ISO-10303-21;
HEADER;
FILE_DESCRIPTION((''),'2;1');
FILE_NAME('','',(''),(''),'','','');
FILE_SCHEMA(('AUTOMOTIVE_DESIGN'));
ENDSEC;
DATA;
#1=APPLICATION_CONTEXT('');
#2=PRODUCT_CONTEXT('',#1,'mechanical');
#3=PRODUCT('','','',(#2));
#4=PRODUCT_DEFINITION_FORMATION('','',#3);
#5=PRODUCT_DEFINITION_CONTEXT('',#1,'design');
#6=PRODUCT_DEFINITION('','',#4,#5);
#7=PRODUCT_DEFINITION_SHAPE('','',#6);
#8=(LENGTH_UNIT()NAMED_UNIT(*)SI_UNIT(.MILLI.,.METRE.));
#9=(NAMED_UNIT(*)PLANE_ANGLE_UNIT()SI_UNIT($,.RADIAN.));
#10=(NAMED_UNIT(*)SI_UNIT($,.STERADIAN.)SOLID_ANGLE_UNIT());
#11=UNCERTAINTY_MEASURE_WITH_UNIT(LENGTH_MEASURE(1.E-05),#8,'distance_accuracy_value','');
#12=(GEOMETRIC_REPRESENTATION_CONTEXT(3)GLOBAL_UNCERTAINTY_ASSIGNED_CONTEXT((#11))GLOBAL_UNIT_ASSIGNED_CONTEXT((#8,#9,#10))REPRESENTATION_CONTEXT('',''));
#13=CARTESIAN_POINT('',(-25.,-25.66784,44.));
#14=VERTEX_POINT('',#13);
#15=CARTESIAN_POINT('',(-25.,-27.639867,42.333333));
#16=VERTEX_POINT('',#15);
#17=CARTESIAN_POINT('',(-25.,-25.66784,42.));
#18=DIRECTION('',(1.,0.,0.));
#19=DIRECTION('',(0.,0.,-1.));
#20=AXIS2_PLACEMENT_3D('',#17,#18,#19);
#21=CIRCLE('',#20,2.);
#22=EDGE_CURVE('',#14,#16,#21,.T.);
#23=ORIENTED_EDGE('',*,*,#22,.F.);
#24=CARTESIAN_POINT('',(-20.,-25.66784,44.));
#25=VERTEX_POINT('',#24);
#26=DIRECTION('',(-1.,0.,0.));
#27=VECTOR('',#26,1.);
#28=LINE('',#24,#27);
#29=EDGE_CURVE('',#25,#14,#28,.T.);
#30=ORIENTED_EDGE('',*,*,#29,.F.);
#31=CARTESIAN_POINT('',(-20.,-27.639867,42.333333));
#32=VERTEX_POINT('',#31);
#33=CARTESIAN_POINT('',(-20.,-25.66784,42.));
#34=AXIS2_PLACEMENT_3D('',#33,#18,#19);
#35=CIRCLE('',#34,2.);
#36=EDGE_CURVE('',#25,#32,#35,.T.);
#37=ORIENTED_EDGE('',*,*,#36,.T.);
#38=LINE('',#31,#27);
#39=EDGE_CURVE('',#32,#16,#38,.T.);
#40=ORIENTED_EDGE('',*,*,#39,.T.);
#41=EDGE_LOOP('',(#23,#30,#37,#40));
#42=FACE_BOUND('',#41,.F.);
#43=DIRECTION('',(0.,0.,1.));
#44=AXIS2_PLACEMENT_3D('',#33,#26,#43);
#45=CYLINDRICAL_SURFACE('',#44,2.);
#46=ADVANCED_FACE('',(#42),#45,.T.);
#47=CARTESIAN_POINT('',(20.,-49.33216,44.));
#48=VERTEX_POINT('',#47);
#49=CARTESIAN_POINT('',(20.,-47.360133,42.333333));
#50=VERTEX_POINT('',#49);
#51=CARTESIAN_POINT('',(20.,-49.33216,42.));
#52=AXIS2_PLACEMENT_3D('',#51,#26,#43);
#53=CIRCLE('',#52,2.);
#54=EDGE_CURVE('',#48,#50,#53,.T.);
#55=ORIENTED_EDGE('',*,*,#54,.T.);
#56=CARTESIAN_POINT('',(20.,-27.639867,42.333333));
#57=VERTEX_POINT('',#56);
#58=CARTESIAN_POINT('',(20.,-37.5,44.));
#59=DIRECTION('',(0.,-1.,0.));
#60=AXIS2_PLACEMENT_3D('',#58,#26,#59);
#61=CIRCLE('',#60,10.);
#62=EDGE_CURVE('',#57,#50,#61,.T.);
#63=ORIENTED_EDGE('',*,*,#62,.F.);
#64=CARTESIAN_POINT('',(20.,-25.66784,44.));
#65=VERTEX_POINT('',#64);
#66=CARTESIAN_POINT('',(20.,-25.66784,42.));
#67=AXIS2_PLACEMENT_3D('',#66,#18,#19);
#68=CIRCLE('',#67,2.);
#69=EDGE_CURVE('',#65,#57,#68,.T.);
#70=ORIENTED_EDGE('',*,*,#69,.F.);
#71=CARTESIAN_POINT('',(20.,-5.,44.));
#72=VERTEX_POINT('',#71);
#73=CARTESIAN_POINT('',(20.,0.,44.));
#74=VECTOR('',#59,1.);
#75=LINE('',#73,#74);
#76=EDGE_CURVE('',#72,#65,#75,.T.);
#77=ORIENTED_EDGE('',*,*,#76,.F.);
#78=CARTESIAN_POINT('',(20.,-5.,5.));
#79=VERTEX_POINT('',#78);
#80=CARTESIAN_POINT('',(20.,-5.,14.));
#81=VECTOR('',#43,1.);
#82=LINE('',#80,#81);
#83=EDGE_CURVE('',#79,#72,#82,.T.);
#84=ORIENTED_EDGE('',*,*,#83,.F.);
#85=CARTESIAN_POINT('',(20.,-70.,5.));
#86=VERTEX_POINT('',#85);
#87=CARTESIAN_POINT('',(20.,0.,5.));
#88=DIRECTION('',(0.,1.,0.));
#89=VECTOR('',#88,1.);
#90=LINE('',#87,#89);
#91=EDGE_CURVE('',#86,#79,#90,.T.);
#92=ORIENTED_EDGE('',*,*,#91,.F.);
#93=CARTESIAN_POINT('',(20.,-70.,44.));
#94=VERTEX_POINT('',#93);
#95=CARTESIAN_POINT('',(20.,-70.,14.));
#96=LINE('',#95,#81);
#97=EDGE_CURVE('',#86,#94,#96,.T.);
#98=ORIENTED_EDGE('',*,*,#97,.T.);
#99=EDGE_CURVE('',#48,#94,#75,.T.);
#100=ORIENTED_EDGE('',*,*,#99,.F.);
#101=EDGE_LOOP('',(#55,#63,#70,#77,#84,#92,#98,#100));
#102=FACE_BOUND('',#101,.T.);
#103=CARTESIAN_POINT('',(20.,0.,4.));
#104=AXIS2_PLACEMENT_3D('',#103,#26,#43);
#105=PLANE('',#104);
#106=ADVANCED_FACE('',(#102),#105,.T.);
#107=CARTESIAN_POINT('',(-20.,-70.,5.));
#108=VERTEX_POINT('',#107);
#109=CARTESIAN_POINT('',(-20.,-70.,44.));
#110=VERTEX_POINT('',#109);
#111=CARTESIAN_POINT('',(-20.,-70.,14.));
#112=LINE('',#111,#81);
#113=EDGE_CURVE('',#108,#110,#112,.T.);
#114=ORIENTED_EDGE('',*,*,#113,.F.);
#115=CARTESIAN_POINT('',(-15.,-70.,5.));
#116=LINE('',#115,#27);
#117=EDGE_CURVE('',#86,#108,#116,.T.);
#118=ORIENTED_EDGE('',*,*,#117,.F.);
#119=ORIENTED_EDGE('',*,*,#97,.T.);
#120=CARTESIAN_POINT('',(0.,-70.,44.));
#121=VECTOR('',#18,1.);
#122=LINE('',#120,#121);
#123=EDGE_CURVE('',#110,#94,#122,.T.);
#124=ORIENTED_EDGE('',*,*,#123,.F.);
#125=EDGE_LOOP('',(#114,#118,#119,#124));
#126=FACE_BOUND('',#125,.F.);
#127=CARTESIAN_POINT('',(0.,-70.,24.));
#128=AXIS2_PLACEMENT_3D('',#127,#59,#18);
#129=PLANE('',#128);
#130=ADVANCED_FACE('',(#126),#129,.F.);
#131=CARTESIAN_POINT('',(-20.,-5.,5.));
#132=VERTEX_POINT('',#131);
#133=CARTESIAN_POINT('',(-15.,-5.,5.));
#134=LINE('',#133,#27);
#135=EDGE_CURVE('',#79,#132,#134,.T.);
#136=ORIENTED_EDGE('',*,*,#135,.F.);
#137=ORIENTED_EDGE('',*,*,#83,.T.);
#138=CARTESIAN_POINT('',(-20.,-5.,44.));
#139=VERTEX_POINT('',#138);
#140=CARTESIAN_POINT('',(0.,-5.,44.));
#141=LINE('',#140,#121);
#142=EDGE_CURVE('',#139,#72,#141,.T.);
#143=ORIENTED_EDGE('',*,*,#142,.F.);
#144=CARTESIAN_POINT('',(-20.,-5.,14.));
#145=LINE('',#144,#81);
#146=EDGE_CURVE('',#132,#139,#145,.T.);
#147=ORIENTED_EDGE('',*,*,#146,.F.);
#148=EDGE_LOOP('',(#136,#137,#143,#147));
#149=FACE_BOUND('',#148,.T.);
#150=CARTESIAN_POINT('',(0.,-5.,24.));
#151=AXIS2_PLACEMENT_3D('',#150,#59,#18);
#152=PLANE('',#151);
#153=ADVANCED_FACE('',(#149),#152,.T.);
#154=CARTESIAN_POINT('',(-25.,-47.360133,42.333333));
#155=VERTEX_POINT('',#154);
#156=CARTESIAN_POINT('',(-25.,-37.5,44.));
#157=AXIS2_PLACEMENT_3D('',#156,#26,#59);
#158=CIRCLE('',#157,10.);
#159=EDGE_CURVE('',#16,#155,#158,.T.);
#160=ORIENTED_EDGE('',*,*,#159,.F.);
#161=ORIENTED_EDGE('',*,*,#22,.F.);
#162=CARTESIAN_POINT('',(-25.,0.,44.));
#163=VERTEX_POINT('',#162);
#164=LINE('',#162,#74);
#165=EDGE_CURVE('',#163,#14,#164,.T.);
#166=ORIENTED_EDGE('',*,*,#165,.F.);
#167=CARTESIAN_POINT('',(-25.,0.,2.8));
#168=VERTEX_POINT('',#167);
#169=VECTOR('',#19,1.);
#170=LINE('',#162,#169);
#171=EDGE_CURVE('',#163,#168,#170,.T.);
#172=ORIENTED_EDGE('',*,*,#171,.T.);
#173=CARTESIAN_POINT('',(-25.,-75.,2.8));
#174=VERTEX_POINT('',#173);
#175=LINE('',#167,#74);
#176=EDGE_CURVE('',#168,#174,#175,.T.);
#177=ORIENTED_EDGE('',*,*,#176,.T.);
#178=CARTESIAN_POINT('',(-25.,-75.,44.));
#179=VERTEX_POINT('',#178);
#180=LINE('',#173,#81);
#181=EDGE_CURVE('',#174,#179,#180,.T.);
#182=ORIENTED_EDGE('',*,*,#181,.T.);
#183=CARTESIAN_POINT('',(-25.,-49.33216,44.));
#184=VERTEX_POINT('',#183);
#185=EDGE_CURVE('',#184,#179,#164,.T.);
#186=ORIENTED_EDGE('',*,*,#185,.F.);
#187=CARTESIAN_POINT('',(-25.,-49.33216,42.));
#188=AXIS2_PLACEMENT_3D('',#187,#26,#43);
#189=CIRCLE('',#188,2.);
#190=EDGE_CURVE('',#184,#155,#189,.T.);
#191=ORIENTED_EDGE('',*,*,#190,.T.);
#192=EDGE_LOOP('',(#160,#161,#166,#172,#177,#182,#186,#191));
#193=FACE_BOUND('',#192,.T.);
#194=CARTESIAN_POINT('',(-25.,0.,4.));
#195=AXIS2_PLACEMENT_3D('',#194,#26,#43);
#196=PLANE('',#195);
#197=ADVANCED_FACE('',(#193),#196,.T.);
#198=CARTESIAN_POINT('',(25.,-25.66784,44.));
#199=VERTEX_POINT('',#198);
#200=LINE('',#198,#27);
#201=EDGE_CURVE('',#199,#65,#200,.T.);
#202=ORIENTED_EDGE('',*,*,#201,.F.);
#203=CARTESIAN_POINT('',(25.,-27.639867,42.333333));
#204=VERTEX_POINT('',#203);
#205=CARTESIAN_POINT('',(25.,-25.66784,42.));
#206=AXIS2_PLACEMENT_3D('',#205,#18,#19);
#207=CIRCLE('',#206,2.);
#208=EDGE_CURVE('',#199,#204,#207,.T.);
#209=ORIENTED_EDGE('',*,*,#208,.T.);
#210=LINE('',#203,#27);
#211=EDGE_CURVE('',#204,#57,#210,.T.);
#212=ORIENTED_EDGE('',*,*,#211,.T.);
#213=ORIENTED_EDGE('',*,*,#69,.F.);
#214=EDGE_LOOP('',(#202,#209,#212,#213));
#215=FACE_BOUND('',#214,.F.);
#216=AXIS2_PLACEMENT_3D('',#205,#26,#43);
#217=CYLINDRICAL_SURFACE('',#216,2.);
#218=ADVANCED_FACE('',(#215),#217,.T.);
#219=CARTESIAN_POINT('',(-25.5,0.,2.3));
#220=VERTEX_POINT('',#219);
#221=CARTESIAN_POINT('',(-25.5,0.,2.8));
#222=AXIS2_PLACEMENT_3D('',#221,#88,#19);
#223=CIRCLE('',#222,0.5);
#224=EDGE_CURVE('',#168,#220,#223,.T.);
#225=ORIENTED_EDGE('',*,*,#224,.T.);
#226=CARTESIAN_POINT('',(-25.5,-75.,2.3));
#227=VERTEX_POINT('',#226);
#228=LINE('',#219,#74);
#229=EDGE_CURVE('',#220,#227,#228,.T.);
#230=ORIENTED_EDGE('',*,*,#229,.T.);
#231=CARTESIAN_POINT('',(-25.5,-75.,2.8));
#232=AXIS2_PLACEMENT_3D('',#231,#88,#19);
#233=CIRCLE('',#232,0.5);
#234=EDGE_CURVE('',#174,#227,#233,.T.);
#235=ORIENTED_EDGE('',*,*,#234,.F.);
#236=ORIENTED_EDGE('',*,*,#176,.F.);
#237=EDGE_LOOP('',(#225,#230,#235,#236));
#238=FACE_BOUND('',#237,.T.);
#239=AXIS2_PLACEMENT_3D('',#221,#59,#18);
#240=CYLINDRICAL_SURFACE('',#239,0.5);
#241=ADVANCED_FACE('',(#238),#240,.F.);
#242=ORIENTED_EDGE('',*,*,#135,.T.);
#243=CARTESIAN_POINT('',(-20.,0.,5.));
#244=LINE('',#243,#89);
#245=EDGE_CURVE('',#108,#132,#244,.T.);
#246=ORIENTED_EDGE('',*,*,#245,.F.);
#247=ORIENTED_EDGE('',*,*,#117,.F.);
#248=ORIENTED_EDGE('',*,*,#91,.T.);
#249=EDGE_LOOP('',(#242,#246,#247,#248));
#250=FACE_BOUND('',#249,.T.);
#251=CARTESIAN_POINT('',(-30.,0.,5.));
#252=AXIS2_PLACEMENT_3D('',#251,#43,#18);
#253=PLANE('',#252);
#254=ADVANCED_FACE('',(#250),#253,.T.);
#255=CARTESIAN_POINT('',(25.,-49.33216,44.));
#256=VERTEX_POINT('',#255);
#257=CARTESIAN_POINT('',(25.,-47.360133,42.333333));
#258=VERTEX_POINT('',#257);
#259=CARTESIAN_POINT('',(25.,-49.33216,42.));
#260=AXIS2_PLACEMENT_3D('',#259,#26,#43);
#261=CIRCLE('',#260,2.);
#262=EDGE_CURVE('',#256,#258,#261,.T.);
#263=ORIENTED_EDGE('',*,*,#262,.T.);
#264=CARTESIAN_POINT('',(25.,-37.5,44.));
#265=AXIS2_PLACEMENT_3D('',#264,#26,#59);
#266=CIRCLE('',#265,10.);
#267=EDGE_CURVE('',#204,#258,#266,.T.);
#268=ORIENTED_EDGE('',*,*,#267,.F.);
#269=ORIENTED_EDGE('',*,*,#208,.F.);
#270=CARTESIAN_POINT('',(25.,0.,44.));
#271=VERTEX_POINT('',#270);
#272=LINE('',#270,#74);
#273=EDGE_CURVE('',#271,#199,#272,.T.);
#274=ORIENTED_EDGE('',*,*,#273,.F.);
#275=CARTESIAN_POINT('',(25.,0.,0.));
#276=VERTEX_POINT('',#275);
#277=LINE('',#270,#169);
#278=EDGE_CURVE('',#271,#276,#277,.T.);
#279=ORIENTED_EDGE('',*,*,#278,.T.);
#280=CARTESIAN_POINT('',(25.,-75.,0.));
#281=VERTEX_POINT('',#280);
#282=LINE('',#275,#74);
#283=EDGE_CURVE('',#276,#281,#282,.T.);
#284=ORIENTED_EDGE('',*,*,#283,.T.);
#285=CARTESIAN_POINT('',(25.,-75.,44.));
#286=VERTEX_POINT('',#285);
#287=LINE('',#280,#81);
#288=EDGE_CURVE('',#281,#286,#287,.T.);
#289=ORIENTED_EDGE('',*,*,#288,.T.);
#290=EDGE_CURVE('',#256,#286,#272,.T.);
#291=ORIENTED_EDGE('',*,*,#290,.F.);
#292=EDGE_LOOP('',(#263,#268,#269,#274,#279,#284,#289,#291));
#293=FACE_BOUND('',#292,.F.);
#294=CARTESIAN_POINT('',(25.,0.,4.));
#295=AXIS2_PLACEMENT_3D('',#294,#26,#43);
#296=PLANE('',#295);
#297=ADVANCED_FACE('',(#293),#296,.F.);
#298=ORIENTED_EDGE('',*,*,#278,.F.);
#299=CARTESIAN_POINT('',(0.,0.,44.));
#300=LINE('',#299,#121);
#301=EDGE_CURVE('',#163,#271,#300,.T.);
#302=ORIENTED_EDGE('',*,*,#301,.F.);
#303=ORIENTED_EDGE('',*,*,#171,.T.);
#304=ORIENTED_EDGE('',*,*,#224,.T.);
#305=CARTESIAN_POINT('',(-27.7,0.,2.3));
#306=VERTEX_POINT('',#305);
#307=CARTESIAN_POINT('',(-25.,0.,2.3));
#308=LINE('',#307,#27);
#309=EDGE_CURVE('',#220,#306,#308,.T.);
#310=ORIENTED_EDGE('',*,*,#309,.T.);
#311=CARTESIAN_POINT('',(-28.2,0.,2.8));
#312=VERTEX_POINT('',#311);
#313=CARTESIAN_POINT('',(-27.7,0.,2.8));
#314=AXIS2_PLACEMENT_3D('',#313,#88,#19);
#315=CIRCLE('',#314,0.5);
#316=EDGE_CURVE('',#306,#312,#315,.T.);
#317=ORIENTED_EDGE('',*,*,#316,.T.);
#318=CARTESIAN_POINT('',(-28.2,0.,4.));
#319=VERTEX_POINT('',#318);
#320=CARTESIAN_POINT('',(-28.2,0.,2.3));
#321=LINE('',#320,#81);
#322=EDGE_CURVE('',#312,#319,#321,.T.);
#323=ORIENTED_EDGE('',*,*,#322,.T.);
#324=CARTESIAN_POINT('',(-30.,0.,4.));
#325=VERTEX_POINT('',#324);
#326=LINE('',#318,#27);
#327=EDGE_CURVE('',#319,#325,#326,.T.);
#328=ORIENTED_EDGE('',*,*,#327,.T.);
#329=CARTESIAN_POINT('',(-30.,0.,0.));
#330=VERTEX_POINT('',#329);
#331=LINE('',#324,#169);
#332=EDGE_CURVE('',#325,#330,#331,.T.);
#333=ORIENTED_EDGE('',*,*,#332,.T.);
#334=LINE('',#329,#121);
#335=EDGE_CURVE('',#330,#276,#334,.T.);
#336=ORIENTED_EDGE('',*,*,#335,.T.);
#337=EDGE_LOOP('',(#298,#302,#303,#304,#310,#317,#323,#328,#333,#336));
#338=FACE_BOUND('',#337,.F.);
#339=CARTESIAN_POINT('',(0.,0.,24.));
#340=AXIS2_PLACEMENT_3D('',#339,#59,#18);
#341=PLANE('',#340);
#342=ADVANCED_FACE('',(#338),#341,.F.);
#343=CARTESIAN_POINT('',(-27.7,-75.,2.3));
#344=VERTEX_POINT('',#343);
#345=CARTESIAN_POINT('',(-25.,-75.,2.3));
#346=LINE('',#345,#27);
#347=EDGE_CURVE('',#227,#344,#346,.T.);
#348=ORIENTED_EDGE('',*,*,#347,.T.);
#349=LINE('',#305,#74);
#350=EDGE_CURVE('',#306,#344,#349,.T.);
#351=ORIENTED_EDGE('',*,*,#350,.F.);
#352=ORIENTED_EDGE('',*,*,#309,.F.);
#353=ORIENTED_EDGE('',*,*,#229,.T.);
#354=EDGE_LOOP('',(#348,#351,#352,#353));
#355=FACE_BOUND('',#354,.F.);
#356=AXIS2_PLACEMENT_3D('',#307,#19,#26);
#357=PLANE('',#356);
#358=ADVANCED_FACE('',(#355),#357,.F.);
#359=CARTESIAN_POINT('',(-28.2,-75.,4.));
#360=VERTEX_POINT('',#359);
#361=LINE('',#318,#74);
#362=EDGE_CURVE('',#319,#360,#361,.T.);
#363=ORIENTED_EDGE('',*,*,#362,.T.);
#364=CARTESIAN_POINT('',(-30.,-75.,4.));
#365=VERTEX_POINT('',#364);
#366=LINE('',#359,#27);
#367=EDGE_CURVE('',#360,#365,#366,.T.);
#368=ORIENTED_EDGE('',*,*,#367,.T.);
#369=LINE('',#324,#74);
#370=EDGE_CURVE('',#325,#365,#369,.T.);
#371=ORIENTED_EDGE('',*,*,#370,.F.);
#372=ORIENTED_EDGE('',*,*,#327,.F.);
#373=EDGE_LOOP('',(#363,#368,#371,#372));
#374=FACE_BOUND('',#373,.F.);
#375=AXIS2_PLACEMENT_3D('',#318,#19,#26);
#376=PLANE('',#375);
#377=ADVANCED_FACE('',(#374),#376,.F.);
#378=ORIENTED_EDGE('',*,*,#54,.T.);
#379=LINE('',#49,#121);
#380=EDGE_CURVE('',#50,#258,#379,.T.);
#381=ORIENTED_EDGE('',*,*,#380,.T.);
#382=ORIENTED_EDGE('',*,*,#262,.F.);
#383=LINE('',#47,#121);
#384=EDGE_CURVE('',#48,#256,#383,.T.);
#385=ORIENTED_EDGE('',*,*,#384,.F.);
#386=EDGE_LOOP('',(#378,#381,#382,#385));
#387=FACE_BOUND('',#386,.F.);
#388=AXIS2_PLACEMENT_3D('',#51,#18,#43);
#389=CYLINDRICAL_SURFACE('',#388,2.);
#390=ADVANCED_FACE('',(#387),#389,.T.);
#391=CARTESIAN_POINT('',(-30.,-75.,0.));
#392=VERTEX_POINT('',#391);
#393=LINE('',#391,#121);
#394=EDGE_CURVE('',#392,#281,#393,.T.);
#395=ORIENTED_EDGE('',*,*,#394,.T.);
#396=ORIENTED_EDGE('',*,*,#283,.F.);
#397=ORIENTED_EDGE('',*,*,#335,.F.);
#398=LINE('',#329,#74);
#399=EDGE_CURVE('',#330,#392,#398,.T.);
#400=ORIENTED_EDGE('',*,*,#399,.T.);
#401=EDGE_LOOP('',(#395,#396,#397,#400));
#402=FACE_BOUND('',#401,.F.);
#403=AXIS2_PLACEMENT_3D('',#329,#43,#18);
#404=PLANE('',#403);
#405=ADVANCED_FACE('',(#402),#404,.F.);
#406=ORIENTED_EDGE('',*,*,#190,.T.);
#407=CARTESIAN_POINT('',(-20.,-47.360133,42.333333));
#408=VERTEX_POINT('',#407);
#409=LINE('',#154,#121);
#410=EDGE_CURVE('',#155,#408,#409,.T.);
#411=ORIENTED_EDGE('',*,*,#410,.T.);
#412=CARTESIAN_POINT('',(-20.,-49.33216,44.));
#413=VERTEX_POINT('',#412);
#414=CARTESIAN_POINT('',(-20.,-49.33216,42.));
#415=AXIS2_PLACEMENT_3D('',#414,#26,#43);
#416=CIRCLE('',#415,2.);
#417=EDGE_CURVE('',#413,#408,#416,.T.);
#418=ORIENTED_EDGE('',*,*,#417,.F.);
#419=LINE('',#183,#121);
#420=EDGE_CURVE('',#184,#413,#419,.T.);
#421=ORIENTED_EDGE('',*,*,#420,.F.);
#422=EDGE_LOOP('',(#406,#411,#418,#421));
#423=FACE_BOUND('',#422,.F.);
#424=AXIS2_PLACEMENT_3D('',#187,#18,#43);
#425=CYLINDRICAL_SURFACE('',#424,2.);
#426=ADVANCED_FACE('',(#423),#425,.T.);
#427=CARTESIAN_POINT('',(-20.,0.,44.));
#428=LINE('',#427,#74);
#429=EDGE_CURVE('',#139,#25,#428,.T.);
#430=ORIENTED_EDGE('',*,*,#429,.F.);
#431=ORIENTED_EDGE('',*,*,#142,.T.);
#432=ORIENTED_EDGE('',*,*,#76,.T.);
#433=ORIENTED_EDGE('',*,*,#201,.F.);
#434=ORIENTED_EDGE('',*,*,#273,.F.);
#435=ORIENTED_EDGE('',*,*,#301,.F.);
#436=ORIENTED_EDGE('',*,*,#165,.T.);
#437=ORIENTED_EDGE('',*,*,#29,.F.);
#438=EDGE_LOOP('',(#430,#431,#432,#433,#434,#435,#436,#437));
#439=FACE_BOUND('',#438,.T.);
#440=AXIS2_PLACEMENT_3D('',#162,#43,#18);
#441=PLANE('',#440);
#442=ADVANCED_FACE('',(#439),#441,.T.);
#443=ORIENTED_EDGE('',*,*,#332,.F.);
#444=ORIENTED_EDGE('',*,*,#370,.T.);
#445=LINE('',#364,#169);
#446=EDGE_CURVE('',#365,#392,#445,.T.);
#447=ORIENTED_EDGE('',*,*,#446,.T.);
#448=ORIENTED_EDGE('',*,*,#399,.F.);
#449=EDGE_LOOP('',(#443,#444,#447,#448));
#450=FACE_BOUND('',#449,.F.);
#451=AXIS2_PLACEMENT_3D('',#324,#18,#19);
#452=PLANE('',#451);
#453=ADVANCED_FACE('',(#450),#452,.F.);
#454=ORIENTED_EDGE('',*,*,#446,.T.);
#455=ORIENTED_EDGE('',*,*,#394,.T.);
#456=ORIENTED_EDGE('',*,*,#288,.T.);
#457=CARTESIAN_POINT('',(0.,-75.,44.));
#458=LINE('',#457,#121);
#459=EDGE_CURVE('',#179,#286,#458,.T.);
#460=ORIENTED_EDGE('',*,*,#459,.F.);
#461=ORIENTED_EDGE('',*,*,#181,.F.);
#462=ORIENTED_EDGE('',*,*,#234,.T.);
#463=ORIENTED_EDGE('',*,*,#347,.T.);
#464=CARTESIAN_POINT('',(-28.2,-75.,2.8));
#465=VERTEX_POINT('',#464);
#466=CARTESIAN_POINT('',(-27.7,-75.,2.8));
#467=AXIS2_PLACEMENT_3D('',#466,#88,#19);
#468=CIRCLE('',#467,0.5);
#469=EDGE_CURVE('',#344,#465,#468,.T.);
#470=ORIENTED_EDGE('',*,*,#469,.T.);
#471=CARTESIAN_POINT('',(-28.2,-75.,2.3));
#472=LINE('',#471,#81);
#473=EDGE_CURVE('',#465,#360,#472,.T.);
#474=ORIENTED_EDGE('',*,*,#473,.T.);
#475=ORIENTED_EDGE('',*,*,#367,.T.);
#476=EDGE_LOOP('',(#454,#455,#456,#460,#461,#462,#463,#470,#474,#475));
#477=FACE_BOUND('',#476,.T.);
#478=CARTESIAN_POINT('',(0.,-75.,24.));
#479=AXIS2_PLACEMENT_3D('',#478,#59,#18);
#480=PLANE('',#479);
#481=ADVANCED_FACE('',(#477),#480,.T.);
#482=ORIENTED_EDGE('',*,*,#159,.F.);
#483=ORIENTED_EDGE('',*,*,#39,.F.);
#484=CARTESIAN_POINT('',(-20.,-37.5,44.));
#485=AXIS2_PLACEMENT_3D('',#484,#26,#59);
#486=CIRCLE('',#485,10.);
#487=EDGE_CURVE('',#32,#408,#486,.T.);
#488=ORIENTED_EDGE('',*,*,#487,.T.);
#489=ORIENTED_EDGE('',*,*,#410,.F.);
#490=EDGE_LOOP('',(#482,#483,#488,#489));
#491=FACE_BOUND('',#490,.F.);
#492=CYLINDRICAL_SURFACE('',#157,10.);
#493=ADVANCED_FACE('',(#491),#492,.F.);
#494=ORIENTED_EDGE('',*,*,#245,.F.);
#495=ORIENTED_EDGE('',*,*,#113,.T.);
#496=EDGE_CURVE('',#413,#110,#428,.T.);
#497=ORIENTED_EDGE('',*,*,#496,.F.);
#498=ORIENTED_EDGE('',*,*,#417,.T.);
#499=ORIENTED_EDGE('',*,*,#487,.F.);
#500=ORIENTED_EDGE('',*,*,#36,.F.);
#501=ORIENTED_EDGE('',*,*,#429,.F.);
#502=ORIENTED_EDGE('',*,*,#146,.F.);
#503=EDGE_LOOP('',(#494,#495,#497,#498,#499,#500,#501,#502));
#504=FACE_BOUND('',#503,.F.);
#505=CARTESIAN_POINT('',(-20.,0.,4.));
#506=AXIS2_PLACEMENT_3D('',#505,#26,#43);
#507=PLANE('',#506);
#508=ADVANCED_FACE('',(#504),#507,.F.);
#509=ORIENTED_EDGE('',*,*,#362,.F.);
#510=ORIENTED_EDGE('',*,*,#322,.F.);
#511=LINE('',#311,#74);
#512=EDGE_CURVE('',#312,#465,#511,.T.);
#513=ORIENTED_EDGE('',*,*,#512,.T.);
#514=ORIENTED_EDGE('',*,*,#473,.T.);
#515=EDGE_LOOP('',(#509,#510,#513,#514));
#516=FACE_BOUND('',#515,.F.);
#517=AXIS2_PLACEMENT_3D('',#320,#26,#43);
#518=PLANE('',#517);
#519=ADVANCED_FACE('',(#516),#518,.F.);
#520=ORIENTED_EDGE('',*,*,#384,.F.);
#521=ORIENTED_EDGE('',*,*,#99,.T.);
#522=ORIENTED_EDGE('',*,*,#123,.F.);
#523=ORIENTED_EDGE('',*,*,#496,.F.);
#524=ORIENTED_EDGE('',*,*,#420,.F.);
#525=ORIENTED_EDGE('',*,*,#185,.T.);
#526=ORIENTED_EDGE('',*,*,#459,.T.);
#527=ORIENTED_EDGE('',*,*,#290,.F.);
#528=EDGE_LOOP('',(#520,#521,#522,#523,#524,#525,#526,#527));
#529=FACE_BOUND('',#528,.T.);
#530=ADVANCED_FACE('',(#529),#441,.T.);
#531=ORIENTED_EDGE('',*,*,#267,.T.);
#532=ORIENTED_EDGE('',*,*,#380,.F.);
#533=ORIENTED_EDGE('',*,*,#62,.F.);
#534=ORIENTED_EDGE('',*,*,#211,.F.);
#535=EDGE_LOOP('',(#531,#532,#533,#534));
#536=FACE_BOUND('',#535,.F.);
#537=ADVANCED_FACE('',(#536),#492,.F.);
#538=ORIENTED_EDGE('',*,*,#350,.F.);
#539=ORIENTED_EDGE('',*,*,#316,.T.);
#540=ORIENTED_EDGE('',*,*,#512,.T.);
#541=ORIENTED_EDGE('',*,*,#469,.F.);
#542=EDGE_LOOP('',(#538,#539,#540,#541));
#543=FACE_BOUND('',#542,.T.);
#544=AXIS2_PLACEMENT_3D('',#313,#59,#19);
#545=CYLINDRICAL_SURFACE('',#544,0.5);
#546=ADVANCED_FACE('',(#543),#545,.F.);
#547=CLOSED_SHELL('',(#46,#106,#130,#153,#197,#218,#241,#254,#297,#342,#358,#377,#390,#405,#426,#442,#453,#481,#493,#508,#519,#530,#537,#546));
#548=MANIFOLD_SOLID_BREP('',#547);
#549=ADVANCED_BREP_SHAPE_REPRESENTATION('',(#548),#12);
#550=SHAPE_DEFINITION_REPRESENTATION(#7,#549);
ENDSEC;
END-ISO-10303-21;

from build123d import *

# Parameters (mm, degrees)
F1_DEPTH = 75
F2_R     = 0.5
F3_W     = 50
F3_H     = 40
F4_DEPTH = 75
F5_T     = -5
F6_R     = 10
F7_DEPTH = 50
F8_R     = 2


with BuildPart() as f1:
    # F0 (on Front) → F1 (new body)
    with BuildSketch(Plane.XZ):
        Polygon((25, 4), (-25, 4), (-25, 2.3), (-25, 0), (25, 0), align=None)
        Polygon((-25, 0), (-25, 2.3), (-28.2, 2.3), (-28.2, 4), (-30, 4), (-30, 0), align=None)
    extrude(amount=F1_DEPTH)

    # F2
    f2_edges = [f1.edges().sort_by_distance(p)[0] for p in [
        (-25, -37.5, 2.3),
        (-28.2, -37.5, 2.3),
    ]]
    fillet(f2_edges, radius=F2_R)

    # F3 (on Front) → F4 (join)
    with BuildSketch(Plane.XZ):
        with Locations((0, 24)):
            Rectangle(F3_W, F3_H)
    extrude(amount=F4_DEPTH)

    # F5
    f5_openings = [f1.faces().sort_by_distance(p)[0] for p in [
        (0, -37.5, 44),
    ]]
    offset(amount=F5_T, openings=f5_openings)

    # F6 (on face) → F7 (cut, through all)
    with BuildSketch(Plane(origin=(-25, 0, 0), x_dir=(0, -1, 0), z_dir=(-1, 0, 0))):
        with Locations((37.5, 44)):
            Circle(F6_R)
    extrude(amount=-F7_DEPTH, mode=Mode.SUBTRACT)

    # F8
    f8_edges = [f1.edges().sort_by_distance(p)[0] for p in [
        (22.5, -47.5, 44),
        (-22.5, -47.5, 44),
        (-22.5, -27.5, 44),
        (22.5, -27.5, 44),
    ]]
    fillet(f8_edges, radius=F8_R)


solid = f1.part
